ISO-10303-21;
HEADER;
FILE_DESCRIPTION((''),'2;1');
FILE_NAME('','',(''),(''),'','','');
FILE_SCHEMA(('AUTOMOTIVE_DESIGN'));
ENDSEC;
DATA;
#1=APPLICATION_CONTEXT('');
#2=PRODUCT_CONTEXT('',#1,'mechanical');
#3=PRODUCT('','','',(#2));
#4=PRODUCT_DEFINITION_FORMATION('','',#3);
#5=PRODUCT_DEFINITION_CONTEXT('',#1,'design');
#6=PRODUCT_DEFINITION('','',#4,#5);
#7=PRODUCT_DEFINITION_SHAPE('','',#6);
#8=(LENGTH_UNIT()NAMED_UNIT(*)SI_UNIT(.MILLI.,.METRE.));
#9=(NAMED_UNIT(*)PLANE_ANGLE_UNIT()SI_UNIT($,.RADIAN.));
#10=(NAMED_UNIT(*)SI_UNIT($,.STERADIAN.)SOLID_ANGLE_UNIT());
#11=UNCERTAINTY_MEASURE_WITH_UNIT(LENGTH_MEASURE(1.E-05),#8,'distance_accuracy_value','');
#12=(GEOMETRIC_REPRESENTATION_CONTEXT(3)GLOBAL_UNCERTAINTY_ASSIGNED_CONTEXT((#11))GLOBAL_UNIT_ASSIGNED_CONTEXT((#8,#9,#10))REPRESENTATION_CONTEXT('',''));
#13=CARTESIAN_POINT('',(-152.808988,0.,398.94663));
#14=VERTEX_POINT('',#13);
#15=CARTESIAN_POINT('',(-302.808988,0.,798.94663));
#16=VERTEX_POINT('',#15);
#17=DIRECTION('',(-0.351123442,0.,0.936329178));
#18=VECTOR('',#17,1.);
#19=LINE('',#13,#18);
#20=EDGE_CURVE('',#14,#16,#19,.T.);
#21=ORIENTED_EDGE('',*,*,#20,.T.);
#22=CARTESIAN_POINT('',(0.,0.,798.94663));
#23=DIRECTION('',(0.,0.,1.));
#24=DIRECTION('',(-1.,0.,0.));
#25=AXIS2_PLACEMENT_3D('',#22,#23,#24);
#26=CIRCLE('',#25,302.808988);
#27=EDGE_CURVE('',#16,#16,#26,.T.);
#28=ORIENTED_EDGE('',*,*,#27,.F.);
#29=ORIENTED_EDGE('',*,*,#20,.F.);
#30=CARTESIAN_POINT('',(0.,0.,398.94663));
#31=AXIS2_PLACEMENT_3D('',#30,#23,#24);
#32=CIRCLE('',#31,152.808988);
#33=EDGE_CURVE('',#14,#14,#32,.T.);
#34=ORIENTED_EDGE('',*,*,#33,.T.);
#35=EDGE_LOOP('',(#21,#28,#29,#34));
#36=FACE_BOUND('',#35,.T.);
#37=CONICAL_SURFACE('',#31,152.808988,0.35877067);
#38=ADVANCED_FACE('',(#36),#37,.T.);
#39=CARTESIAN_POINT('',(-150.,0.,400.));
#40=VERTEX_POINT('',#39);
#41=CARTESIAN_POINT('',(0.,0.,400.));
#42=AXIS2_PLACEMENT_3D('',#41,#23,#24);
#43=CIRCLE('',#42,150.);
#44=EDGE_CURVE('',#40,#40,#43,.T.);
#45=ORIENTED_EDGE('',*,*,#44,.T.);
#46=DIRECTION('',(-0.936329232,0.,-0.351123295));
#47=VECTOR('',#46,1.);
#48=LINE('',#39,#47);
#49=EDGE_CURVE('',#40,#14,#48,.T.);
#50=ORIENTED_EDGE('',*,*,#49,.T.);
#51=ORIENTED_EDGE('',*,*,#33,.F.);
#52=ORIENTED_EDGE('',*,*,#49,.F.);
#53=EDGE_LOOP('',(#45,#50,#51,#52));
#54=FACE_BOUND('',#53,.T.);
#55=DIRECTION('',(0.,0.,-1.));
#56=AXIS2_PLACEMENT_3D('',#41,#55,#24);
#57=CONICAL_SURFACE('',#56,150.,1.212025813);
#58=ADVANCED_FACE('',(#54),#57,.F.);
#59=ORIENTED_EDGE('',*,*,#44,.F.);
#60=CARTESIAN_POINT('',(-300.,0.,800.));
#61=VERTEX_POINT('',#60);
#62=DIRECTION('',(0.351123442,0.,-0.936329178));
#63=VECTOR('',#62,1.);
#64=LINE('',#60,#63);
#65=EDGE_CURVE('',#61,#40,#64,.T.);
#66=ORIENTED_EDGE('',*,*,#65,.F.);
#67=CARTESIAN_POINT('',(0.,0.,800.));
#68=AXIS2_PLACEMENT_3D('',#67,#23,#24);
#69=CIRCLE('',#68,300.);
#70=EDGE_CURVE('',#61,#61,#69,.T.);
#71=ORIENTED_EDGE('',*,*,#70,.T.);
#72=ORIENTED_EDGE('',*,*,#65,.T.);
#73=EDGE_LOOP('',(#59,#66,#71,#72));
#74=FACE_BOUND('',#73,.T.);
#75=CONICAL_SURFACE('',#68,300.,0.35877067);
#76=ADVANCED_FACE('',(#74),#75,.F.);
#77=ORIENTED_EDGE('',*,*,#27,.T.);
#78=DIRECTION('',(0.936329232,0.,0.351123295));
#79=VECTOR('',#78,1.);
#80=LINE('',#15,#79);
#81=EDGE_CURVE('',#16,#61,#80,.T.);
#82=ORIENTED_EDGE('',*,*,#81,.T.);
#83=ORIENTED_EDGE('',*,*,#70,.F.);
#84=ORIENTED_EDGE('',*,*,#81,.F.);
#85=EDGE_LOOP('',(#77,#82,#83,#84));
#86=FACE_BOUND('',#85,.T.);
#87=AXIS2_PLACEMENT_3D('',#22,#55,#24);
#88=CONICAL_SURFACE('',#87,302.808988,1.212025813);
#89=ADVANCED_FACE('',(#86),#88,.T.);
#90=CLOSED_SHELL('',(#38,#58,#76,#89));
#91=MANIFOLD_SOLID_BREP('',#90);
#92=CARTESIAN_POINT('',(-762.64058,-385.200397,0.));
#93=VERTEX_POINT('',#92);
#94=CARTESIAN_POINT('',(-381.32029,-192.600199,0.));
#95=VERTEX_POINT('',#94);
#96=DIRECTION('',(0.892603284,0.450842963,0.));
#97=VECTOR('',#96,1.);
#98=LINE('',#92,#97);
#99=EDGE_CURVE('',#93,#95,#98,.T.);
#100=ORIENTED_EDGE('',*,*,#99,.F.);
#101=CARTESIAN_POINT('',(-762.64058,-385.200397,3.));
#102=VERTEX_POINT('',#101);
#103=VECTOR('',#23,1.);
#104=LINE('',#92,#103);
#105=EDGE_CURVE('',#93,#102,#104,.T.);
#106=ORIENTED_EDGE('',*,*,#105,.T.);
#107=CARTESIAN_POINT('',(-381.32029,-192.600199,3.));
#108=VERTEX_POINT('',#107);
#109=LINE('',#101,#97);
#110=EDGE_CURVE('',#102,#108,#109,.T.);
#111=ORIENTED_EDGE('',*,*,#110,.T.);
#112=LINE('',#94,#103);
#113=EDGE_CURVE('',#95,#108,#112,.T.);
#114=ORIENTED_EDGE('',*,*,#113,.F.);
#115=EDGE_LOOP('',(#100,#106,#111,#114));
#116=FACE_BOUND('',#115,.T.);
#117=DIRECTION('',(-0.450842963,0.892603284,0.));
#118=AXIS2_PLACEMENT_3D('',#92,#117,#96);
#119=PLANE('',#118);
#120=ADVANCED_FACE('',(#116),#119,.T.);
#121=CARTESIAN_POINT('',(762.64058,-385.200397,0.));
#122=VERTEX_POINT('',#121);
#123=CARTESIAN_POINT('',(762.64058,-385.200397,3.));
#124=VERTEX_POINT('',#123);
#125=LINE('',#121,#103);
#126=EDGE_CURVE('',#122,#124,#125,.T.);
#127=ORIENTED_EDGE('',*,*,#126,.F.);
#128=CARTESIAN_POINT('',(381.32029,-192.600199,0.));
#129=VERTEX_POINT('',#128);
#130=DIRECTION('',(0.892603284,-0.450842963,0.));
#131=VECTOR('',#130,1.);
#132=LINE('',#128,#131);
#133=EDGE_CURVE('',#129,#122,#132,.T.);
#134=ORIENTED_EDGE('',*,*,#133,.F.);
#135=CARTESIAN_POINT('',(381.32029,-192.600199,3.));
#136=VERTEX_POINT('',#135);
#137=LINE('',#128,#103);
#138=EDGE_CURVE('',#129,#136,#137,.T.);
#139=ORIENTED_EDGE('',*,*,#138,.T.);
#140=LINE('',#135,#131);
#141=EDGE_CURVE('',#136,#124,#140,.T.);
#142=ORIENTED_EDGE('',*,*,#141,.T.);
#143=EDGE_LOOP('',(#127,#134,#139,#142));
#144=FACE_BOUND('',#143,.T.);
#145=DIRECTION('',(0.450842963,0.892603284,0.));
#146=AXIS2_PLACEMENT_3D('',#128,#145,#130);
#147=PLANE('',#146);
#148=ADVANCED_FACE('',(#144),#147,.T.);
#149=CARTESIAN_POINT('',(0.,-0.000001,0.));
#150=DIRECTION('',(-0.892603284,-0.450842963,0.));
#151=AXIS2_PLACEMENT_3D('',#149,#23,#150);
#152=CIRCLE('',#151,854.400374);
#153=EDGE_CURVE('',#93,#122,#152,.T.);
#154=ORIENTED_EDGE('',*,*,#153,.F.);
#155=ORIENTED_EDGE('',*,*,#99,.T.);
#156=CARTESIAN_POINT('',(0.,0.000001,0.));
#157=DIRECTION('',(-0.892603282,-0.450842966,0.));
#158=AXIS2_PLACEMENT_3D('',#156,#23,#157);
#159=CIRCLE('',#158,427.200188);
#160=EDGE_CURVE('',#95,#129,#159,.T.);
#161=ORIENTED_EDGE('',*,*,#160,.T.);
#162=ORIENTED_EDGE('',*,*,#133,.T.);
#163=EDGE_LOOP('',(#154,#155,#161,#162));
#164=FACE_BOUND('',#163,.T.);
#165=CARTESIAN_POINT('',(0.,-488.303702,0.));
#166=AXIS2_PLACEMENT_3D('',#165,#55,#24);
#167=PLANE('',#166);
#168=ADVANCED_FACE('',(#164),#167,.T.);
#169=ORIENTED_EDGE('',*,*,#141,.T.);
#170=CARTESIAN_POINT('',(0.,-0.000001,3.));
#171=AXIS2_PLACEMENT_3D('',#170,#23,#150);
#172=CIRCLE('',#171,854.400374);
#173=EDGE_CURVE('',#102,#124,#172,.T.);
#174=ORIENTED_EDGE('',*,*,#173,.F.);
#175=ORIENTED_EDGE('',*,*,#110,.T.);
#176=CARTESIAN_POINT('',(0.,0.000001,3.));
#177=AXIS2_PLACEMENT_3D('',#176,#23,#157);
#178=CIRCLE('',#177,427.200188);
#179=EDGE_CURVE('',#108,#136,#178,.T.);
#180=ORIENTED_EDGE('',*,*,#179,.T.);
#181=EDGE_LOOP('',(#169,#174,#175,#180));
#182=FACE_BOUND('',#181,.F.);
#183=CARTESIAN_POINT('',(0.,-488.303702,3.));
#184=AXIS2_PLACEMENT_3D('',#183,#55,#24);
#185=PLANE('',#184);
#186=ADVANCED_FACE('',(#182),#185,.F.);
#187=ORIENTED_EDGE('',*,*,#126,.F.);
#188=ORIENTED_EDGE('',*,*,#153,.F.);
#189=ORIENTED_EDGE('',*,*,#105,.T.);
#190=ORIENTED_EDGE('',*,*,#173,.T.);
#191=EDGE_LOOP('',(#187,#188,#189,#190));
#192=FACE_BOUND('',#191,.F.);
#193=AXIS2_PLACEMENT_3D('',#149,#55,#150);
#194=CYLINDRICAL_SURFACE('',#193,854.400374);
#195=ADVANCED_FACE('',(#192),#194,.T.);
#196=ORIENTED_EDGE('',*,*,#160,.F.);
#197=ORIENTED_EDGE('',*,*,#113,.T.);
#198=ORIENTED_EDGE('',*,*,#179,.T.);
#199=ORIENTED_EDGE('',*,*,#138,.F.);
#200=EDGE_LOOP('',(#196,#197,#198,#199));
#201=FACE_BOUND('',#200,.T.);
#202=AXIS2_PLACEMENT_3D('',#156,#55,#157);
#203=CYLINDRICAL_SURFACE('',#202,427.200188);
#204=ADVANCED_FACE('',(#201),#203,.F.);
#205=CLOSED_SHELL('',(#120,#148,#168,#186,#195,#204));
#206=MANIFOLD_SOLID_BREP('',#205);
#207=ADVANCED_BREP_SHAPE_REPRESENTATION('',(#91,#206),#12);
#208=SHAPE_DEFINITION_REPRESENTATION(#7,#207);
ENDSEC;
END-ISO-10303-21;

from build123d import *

# Parameters (mm, degrees)
PAD_DEPTH = 3


with BuildPart() as body:
    # Sketch → Revolution (revolve)
    with BuildSketch(Plane.XZ):
        Polygon((-300, 800), (-150, 400), (-152.808988, 398.94663), (-302.808988, 798.94663), align=None)
    revolve(axis=Axis((0, 0, 0), (0, 0, 1)))


with BuildPart() as body001:
    # Sketch001 → Pad (new body)
    with BuildSketch(Plane.XY):
        with BuildLine():
            ThreePointArc((-381.32029, -192.600199), (0, -427.200187), (381.32029, -192.600199))
            Line((381.32029, -192.600199), (762.64058, -385.200397))
            ThreePointArc((-762.64058, -385.200397), (0, -854.400375), (762.64058, -385.200397))
            Line((-762.64058, -385.200397), (-381.32029, -192.600199))
        make_face()
    extrude(amount=PAD_DEPTH)


solid = Compound([body.part, body001.part])
